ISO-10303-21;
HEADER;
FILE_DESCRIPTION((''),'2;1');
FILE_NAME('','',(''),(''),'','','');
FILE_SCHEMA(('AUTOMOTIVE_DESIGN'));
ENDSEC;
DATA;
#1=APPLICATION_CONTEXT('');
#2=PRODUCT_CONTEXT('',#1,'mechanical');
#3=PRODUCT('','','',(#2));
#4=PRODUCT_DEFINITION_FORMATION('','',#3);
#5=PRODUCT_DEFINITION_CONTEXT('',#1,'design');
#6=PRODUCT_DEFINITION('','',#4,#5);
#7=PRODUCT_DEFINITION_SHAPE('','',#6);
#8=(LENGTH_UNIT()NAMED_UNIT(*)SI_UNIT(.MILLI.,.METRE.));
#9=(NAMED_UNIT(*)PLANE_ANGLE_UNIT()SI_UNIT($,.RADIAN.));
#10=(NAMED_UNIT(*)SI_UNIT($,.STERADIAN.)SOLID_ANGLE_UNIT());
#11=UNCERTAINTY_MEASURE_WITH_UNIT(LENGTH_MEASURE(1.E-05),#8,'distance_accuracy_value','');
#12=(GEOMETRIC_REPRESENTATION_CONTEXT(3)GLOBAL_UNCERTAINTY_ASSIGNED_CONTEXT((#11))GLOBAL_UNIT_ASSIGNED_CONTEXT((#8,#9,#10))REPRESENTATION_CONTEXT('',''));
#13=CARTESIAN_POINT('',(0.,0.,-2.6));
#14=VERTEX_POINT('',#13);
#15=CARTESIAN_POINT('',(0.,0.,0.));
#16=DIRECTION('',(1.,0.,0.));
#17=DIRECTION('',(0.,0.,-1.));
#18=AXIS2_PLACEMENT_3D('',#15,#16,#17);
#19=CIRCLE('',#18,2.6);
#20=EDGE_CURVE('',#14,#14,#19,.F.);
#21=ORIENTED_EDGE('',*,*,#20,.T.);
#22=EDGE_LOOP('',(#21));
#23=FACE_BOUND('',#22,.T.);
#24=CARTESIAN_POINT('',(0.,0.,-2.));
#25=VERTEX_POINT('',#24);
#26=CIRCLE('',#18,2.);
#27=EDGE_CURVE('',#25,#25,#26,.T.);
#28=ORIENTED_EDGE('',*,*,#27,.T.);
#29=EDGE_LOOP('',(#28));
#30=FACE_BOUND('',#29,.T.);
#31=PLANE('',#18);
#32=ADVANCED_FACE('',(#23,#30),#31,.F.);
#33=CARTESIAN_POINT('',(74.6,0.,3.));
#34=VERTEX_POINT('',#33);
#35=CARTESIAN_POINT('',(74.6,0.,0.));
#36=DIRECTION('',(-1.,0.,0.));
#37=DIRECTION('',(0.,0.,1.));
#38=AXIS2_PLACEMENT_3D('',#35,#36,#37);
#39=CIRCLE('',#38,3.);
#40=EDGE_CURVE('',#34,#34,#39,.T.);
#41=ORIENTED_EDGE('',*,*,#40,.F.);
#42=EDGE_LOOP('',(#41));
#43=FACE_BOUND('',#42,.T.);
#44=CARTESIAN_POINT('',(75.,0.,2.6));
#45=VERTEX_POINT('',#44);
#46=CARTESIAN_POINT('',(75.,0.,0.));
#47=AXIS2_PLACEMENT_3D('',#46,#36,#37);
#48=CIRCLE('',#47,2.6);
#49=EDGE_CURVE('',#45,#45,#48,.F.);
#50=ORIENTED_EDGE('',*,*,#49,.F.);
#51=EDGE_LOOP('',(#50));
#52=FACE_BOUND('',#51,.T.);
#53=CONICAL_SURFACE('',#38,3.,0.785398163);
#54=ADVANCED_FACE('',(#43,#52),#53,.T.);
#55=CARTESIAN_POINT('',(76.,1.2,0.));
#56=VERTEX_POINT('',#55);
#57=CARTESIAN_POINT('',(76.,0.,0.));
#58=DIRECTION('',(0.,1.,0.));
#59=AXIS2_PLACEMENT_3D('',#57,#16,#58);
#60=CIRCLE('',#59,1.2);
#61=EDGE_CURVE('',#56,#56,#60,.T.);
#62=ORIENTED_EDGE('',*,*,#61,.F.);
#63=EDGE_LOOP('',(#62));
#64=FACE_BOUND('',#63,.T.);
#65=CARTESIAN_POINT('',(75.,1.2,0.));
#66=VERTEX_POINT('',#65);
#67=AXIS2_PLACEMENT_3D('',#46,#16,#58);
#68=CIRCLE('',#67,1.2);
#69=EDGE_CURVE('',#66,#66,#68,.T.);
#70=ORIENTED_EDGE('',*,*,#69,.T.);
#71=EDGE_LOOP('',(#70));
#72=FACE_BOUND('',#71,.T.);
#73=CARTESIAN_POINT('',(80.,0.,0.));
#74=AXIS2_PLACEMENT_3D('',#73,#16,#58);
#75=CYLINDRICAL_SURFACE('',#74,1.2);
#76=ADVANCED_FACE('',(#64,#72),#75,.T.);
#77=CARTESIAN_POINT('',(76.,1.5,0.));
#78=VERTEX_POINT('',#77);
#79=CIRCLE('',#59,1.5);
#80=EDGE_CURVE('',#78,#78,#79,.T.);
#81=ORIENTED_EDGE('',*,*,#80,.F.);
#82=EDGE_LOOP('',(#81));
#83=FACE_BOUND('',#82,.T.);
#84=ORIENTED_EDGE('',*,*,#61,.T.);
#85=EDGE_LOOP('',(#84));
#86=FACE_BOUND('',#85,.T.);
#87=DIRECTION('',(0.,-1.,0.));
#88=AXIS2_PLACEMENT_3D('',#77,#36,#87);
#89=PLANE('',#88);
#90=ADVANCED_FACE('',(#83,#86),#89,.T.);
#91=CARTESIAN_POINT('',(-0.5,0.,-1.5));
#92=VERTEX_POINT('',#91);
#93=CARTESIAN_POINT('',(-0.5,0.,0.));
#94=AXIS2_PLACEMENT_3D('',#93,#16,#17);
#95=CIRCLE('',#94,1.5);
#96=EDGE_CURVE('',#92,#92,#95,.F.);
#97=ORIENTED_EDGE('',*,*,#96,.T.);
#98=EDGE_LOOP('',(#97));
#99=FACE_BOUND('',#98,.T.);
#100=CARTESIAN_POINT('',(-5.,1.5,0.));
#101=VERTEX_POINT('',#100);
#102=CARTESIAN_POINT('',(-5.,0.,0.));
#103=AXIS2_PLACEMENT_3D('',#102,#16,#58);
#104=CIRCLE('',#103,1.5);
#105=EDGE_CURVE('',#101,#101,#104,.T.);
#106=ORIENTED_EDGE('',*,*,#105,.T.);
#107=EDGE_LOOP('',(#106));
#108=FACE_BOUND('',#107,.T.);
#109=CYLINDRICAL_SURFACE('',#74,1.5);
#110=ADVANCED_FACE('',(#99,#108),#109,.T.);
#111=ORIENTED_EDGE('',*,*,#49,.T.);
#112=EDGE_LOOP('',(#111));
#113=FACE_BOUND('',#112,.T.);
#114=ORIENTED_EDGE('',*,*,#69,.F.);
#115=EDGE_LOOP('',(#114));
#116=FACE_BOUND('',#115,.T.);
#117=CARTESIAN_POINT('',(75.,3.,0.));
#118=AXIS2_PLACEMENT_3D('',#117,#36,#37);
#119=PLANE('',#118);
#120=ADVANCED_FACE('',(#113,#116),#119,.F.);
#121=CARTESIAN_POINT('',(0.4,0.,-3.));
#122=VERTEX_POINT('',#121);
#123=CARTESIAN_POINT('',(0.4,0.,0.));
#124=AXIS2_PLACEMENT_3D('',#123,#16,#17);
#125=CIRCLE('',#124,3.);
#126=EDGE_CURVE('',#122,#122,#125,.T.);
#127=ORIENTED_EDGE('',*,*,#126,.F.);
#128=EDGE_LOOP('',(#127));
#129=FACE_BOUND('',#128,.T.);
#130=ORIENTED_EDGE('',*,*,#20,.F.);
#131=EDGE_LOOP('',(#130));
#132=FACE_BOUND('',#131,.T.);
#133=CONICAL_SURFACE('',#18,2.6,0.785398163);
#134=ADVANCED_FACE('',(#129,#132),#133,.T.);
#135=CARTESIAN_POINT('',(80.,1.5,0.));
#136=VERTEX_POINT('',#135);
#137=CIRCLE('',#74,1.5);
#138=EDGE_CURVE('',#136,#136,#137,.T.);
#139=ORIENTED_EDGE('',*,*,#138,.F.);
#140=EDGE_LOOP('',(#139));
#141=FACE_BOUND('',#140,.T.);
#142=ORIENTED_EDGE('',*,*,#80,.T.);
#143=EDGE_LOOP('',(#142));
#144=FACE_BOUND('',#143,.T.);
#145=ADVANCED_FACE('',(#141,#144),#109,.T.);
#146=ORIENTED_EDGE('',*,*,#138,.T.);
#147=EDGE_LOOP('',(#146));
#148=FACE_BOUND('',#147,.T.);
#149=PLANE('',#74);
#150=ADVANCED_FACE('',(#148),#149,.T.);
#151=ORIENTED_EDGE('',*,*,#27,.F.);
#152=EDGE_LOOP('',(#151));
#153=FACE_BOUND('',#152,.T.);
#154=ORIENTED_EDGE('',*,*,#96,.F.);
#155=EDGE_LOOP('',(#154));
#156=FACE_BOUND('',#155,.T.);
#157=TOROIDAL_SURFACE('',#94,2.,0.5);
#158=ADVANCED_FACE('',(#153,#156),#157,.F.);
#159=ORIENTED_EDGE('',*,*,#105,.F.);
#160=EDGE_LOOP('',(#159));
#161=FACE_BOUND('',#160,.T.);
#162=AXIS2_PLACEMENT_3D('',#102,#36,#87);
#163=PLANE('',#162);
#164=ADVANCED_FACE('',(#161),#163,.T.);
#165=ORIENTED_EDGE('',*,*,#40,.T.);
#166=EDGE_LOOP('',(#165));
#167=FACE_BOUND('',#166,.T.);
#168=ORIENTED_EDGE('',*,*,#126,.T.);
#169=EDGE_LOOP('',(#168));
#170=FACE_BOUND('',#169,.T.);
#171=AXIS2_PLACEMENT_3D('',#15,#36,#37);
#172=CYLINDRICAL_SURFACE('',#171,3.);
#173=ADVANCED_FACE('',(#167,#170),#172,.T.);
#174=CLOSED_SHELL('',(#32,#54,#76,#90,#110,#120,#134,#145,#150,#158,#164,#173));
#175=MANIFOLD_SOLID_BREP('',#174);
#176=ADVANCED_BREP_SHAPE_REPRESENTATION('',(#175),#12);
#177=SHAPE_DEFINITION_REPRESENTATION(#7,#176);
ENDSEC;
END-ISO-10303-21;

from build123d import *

# Parameters (mm, degrees)
SKETCH1_W     = 75
SKETCH1_H     = 3
CHAMFER1_SIZE = 0.4
SKETCH5_W     = 5
SKETCH5_H     = 1.5
FILLET3_R     = 0.5
CHAMFER4_SIZE = 0.4


with BuildPart() as part:
    # Sketch1 → Revolve1 (revolve)
    with BuildSketch(Plane.XY, mode=Mode.PRIVATE) as revolve1_sk:
        with Locations((37.5, 1.5)):
            Rectangle(SKETCH1_W, SKETCH1_H)
    revolve(revolve1_sk.sketch.rotate(Axis((0, 0, 0), (1, 0, 0)), 90), axis=Axis((0, 0, 0), (1, 0, 0)))

    # Chamfer1
    chamfer1_edges = [part.edges().sort_by_distance(p)[0] for p in [
        (0, 0, -3),
    ]]
    chamfer(chamfer1_edges, length=CHAMFER1_SIZE)

    # Sketch5 → Revolve4 (revolve)
    with BuildSketch(Plane.XY):
        Polygon((80, 0), (80, 1.5), (76, 1.5), (76, 1.2), (75, 1.2), (75, 0), align=None)
        with Locations((-2.5, 0.75)):
            Rectangle(SKETCH5_W, SKETCH5_H)
    revolve(axis=Axis((80, 0, 0), (-1, 0, 0)))

    # Fillet3
    fillet3_edges = [part.edges().sort_by_distance(p)[0] for p in [
        (0, -1.5, 0),
    ]]
    fillet(fillet3_edges, radius=FILLET3_R)

    # Chamfer4
    chamfer4_edges = [part.edges().sort_by_distance(p)[0] for p in [
        (75, 0, -3),
    ]]
    chamfer(chamfer4_edges, length=CHAMFER4_SIZE)


solid = part.part
